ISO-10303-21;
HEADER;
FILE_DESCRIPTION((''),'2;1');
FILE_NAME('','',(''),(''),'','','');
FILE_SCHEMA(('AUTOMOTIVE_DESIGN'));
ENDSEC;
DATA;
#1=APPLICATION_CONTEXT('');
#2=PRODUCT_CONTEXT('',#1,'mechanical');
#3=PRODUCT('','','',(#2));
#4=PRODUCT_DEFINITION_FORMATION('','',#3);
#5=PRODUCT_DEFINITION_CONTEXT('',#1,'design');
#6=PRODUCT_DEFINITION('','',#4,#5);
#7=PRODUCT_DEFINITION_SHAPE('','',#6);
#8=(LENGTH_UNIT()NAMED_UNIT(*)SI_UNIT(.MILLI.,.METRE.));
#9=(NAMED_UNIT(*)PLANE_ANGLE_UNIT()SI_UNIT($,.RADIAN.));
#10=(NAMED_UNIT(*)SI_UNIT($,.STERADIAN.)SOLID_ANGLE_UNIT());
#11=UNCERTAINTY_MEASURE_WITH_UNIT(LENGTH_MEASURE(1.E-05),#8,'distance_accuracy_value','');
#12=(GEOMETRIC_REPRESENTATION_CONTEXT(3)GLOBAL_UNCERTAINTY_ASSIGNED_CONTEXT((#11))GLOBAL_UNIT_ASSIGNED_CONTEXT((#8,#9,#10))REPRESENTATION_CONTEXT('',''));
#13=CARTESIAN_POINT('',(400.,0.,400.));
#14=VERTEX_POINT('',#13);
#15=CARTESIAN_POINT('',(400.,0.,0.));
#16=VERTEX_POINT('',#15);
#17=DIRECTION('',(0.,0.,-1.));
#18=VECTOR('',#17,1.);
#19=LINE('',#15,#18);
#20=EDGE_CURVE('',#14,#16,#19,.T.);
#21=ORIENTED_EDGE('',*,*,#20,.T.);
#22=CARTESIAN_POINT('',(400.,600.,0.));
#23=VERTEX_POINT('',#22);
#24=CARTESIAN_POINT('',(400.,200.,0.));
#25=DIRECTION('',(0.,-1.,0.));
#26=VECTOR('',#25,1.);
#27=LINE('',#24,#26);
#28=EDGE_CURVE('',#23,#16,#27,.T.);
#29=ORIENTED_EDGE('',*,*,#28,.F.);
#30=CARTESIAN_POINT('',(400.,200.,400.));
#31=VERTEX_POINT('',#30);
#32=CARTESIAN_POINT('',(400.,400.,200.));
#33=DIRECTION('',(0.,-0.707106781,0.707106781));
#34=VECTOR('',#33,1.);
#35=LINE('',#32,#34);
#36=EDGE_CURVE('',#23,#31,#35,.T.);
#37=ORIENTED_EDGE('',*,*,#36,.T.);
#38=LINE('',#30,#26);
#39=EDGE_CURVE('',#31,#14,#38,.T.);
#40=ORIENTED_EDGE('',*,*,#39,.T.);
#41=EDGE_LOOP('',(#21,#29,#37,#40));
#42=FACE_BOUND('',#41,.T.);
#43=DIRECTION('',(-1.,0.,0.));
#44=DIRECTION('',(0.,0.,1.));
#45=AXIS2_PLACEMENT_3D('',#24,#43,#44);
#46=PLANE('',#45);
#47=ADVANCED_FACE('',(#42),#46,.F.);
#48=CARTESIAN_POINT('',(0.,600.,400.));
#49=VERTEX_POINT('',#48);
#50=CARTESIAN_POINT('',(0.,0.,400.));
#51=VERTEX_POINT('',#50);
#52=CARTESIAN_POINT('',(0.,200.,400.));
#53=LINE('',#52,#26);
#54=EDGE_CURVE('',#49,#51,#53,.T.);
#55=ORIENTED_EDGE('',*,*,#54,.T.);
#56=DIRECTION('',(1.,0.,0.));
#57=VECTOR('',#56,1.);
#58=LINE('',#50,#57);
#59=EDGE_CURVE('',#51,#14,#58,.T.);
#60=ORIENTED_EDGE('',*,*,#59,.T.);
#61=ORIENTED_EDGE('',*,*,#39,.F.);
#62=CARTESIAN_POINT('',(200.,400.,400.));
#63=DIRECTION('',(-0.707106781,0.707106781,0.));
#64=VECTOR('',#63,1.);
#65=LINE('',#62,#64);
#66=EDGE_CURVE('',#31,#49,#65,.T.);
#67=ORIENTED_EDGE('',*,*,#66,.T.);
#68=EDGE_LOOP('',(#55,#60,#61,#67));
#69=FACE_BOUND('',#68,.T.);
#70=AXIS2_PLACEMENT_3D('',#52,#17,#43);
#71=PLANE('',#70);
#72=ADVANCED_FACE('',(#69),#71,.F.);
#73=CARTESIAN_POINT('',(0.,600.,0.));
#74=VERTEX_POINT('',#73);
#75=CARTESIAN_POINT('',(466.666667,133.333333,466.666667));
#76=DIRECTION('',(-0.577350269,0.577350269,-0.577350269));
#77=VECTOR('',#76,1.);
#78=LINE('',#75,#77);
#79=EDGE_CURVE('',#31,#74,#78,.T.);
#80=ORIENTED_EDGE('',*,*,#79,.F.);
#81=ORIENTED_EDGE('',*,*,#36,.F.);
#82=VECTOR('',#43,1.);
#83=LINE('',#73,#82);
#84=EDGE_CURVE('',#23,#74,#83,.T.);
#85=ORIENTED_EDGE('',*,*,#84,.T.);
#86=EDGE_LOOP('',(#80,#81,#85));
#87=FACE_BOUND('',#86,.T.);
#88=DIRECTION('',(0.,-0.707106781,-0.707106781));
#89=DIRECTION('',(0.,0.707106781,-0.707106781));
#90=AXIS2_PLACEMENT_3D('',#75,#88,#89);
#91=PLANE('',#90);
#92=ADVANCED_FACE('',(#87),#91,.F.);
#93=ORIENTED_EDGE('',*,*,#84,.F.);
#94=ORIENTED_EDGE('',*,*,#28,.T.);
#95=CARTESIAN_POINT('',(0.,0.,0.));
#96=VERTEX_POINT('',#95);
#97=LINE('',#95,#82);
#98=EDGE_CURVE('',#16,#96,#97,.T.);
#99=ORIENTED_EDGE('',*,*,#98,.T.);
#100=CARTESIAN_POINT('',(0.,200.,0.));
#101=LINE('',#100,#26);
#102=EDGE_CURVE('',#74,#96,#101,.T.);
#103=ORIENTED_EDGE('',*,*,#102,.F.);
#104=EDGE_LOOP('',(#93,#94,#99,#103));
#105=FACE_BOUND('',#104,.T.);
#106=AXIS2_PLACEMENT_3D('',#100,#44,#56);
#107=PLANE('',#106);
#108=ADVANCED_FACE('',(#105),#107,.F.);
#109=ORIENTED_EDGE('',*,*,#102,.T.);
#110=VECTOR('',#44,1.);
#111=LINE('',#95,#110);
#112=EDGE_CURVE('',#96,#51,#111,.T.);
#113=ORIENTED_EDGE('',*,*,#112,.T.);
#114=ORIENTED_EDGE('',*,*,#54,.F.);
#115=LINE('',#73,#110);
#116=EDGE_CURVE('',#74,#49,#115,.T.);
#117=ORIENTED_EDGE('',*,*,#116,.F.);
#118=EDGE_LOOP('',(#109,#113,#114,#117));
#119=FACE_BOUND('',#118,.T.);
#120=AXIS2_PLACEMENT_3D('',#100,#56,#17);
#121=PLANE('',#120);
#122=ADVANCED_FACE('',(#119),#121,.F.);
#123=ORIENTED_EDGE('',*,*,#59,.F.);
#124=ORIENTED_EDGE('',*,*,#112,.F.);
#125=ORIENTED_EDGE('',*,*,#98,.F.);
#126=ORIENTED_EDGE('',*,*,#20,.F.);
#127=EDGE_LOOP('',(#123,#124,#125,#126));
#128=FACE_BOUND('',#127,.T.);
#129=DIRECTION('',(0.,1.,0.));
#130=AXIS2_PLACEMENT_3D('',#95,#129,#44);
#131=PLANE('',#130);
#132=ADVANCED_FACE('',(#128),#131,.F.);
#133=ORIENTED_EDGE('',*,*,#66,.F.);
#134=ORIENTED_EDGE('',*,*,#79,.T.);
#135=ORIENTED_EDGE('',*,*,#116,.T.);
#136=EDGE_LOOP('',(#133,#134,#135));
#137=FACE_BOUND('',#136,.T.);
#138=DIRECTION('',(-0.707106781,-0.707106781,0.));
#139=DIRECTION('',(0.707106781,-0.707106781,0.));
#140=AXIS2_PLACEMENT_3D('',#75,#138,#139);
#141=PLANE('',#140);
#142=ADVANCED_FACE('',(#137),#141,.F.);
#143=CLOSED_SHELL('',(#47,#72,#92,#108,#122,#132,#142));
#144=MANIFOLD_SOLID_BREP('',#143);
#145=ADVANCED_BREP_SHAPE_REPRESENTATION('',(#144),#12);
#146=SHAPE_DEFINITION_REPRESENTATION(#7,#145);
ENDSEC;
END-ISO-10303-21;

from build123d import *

# Parameters (mm, degrees)
SKIZZE1_W                       = 400
SKIZZE1_H                       = 400
AUFSATZ_LINEAR_AUSTRAGEN1_DEPTH = 200
SKIZZE2_W                       = 400
SKIZZE2_H                       = 400
AUFSATZ_LINEAR_AUSTRAGEN2_DEPTH = 400
SKIZZE3_W                       = 400
SKIZZE3_H                       = 400
SCHNITT_LINEAR_AUSTRAGEN1_DEPTH = 1040.962535349


with BuildPart() as part:
    # Skizze1 → Aufsatz-Linear austragen1 (new body)
    with BuildSketch(Plane(origin=(0, 0, 0), x_dir=(1, 0, 0), z_dir=(0, 1, 0))):
        with Locations((200, -200)):
            Rectangle(SKIZZE1_W, SKIZZE1_H)
    extrude(amount=AUFSATZ_LINEAR_AUSTRAGEN1_DEPTH)

    # Skizze2 → Aufsatz-Linear austragen2 (add)
    with BuildSketch(Plane(origin=(0, 200, 0), x_dir=(1, 0, 0), z_dir=(0, 1, 0))):
        with Locations((200, -200)):
            Rectangle(SKIZZE2_W, SKIZZE2_H)
    extrude(amount=AUFSATZ_LINEAR_AUSTRAGEN2_DEPTH)

    # Skizze3 → Schnitt-Linear austragen1 (cut, through all, along a direction that is not the sketch's normal)
    with BuildSketch(Plane(origin=(0, 600, 0), x_dir=(1, 0, 0), z_dir=(0, 1, 0))):
        with Locations((200, -200)):
            Rectangle(SKIZZE3_W, SKIZZE3_H)
    extrude(amount=-SCHNITT_LINEAR_AUSTRAGEN1_DEPTH, dir=(-0.577350269, 0.577350269, -0.577350269), mode=Mode.SUBTRACT)


solid = part.part
